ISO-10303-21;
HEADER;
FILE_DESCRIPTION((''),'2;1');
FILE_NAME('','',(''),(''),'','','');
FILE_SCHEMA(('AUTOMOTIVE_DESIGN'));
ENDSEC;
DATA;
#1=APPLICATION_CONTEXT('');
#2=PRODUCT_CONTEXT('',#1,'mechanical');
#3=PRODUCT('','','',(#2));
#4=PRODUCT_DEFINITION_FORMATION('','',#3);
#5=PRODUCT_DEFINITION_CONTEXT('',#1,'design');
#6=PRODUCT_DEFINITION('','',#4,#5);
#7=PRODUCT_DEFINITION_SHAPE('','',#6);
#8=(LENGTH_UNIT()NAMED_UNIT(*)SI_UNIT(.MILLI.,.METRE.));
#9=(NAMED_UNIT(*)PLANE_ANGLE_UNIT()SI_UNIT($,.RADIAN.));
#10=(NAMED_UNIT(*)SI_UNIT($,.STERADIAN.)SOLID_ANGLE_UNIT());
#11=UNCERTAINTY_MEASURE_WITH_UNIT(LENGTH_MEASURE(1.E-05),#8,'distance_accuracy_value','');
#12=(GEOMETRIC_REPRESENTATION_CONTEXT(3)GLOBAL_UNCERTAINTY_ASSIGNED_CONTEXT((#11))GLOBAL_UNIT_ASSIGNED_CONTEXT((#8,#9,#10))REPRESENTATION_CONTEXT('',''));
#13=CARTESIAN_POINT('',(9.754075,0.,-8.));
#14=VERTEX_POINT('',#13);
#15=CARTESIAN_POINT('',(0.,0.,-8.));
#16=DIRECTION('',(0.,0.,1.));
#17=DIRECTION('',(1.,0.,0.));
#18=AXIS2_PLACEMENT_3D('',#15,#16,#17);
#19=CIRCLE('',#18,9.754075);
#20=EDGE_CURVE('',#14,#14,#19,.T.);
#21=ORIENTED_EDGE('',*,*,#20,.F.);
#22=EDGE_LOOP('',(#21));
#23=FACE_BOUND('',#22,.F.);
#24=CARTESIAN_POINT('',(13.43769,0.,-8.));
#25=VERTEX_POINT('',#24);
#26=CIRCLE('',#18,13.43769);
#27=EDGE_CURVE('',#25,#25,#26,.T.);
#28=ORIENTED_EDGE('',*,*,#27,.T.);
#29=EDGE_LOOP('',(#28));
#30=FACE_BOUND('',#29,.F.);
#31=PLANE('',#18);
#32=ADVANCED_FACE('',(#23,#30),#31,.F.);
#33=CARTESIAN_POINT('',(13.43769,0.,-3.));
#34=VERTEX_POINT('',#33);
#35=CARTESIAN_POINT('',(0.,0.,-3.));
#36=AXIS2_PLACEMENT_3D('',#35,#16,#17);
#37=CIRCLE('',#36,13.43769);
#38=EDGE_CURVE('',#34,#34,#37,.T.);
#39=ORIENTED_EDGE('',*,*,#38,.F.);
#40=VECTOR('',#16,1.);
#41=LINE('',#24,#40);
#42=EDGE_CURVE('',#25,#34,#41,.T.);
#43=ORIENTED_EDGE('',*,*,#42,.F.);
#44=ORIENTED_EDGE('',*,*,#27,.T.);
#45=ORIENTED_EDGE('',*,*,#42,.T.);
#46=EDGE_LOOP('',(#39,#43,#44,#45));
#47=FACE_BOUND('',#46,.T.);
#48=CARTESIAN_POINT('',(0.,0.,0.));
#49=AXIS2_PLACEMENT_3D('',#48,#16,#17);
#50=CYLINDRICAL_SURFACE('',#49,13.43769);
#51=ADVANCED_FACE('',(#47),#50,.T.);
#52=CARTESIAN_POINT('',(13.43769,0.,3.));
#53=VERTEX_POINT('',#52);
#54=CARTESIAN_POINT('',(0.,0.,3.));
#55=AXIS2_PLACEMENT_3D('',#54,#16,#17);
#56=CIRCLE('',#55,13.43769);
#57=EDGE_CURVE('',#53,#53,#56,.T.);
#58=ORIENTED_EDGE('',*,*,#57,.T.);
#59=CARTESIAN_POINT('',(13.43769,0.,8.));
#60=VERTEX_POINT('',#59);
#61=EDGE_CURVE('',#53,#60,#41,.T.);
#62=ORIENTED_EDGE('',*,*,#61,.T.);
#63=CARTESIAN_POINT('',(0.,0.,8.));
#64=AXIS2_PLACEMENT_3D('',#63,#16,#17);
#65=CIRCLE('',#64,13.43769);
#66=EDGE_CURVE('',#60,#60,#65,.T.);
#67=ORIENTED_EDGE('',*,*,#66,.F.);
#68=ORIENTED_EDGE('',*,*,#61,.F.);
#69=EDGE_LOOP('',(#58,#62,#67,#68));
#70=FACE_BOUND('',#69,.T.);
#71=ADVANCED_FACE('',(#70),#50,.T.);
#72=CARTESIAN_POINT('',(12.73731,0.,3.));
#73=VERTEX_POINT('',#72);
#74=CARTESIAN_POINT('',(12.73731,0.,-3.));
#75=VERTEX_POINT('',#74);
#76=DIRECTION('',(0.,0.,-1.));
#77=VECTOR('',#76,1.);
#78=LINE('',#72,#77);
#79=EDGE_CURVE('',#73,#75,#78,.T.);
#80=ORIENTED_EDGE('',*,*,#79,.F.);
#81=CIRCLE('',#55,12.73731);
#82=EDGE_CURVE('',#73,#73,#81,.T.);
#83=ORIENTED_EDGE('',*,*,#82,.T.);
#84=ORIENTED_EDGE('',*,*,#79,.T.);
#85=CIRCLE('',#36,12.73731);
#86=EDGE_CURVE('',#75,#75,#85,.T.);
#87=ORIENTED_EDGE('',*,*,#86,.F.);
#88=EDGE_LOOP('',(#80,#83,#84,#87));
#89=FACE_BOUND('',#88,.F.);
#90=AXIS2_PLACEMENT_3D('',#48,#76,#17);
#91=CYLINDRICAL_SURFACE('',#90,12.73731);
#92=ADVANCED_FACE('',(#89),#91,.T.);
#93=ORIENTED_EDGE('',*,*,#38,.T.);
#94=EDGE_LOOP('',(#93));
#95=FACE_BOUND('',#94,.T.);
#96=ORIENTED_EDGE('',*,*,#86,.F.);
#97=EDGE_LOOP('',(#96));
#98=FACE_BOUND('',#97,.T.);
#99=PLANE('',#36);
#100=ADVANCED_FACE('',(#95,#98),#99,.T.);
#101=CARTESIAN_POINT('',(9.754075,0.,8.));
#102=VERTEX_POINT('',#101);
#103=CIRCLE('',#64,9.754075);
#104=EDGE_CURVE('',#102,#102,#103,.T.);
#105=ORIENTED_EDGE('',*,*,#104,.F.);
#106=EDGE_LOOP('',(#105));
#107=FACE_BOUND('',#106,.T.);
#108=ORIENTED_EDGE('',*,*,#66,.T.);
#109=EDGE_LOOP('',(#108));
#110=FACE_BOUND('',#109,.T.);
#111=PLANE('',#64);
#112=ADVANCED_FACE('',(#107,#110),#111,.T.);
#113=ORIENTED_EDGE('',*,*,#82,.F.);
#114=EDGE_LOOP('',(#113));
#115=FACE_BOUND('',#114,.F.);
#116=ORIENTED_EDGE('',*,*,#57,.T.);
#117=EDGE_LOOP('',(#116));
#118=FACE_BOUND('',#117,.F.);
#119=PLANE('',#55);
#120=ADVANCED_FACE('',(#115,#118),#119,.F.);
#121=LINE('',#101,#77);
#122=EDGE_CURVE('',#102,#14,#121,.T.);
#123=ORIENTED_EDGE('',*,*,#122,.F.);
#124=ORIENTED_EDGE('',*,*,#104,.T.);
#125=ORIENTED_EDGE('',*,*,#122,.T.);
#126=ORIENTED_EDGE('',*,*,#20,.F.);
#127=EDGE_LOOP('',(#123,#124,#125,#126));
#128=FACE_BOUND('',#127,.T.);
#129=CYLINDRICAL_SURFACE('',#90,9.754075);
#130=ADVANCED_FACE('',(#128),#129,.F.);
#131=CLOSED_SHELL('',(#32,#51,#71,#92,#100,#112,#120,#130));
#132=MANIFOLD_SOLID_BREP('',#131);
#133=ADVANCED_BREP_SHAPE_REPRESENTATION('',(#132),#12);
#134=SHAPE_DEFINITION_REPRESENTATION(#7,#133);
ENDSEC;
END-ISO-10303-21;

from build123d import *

# Parameters (mm, degrees)
F0_R     = 13.43769
F0_R_2   = 9.754075
F1_DEPTH = 8
F2_R     = 21.650202
F2_R_2   = 12.73731
F3_DEPTH = 3


with BuildPart() as f1:
    # F0 (on Top) → F1 (new body, symmetric)
    with BuildSketch(Plane.XY):
        Circle(F0_R)
        Circle(F0_R_2, mode=Mode.SUBTRACT)
    extrude(amount=F1_DEPTH, both=True)

    # F2 (on Top) → F3 (cut, symmetric)
    with BuildSketch(Plane.XY):
        Circle(F2_R)
        Circle(F2_R_2, mode=Mode.SUBTRACT)
    extrude(amount=F3_DEPTH, both=True, mode=Mode.SUBTRACT)


solid = f1.part
